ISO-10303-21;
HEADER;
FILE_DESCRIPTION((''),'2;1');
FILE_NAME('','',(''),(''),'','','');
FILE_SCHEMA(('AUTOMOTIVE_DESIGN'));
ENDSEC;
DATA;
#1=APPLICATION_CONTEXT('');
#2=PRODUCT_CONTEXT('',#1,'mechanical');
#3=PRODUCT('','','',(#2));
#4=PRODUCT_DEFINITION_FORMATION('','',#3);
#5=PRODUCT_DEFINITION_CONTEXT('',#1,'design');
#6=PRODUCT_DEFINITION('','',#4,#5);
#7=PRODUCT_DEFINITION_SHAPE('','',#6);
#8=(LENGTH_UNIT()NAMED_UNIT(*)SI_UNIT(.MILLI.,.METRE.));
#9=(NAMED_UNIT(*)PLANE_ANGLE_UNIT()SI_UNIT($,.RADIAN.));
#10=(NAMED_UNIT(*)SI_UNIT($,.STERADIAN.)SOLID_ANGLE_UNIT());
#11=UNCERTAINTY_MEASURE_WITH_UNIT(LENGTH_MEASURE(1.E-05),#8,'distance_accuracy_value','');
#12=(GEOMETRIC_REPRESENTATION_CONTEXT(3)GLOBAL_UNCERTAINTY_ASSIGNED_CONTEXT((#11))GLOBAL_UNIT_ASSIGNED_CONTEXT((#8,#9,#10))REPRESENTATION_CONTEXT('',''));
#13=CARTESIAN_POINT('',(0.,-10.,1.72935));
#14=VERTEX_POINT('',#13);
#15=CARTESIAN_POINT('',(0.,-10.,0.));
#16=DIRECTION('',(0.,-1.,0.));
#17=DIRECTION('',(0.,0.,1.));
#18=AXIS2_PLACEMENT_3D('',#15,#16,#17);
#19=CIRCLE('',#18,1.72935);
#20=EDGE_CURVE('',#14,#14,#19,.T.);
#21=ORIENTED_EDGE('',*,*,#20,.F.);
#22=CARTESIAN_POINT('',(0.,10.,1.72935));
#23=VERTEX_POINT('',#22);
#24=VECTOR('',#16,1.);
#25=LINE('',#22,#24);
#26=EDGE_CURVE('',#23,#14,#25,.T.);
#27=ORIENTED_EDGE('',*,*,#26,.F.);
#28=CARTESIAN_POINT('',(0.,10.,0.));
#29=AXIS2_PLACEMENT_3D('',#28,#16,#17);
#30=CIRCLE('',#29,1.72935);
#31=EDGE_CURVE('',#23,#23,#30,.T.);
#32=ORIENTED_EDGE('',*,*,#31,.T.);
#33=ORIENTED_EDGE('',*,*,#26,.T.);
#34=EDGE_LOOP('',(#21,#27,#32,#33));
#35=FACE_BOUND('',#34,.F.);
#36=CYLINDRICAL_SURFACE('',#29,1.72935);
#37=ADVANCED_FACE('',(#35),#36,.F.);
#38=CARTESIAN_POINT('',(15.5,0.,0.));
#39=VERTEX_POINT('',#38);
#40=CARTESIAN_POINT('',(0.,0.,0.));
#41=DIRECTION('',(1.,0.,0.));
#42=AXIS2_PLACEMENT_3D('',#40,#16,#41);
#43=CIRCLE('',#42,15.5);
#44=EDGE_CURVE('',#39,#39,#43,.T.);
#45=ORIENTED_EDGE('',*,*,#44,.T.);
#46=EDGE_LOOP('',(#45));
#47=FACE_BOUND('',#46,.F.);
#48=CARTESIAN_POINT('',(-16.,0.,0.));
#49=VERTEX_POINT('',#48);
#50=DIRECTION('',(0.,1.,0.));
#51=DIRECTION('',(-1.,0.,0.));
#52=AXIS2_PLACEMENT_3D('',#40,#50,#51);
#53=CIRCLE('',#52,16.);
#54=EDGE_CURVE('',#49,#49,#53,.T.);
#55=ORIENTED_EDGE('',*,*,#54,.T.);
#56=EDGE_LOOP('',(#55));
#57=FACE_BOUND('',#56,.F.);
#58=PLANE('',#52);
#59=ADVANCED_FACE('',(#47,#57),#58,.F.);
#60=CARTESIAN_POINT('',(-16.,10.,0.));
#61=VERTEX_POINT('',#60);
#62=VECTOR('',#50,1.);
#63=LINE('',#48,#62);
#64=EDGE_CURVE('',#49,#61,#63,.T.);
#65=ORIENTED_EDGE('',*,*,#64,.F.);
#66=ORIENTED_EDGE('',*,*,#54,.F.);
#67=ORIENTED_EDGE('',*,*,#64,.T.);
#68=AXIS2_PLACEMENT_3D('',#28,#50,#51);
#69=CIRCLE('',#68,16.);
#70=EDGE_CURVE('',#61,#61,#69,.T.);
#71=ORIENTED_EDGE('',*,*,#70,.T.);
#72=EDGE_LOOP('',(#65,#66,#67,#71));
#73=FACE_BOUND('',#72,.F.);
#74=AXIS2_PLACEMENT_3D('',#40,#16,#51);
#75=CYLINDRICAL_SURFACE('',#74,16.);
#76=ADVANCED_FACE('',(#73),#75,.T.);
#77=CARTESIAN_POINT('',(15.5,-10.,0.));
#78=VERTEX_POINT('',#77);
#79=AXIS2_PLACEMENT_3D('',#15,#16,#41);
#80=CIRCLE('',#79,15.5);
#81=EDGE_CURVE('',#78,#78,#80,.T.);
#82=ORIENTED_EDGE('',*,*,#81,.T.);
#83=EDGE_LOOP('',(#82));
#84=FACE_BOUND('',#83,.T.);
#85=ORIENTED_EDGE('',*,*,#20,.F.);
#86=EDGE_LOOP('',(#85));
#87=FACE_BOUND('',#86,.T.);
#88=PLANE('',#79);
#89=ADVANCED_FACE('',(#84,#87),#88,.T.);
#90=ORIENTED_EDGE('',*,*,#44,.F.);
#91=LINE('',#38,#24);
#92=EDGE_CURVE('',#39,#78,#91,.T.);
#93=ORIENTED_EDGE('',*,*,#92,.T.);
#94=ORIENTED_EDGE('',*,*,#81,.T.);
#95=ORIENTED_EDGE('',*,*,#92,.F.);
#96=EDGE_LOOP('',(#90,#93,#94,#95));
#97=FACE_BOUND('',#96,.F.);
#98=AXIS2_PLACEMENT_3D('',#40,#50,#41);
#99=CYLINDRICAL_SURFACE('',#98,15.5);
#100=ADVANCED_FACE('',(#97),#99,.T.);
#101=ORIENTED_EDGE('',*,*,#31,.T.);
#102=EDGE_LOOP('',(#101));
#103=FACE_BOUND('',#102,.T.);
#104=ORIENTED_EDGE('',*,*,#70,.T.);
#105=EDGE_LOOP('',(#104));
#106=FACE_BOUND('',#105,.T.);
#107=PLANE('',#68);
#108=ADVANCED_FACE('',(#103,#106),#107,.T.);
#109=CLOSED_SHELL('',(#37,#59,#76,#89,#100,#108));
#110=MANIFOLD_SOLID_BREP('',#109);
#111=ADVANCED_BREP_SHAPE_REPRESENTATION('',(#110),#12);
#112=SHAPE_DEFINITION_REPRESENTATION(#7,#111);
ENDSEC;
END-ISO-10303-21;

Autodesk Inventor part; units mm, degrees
ref_plane "YZ Plane" through (0, 0, 0) normal (1, 0, 0) x (0, 1, 0)
ref_plane "XZ Plane" through (0, 0, 0) normal (0, 1, 0) x (-1, 0, 0)
ref_plane "XY Plane" through (0, 0, 0) normal (0, 0, 1) x (1, 0, 0)
sketch "Sketch4" plane through (0, 0, 0) normal (0, 1, 0) x (-1, 0, 0)
  circle A0 centre (0, 0) radius 16
  dimension "d19" = 32
extrude "Extrusion2" add sketch "Sketch4" along normal blind 10
sketch "Sketch5" plane through (0, 0, 0) normal (0, -1, 0) x (1, 0, 0)
  circle A0 centre (0, 0) radius 15.5
  dimension "d22" = 31
extrude "Extrusion3" add sketch "Sketch5" along normal blind 10
sketch "Sketch6" plane through (0, 10, 0) normal (0, 1, 0) x (1, 0, 0)
  point P0 (0, 0)
  point P1 (0, 0)
hole "Hole2" at (0, 10, 0) direction (0, -1, 0) diameter 3.4587 end through all thread size "M4x0.5" class "6H" standard "ISO Metric profile"
equation "\"d30\" = Thickness"
equation "\"BendRadius\" = Thickness"
equation "\"BendReliefWidth\" = Thickness"
equation "\"BendReliefDepth\" = 0.5 * Thickness"
equation "\"CornerReliefSize\" = 4 * Thickness"
equation "\"MinimumRemnant\" = 2 * Thickness"
equation "\"TransitionRadius\" = BendRadius"
equation "\"JacobiRadiusSize\" = BendRadius"
equation "\"GapSize\" = Thickness"
equation "\"Thickness\" = 0.5"
properties part number "Output link probe hub_ final"
